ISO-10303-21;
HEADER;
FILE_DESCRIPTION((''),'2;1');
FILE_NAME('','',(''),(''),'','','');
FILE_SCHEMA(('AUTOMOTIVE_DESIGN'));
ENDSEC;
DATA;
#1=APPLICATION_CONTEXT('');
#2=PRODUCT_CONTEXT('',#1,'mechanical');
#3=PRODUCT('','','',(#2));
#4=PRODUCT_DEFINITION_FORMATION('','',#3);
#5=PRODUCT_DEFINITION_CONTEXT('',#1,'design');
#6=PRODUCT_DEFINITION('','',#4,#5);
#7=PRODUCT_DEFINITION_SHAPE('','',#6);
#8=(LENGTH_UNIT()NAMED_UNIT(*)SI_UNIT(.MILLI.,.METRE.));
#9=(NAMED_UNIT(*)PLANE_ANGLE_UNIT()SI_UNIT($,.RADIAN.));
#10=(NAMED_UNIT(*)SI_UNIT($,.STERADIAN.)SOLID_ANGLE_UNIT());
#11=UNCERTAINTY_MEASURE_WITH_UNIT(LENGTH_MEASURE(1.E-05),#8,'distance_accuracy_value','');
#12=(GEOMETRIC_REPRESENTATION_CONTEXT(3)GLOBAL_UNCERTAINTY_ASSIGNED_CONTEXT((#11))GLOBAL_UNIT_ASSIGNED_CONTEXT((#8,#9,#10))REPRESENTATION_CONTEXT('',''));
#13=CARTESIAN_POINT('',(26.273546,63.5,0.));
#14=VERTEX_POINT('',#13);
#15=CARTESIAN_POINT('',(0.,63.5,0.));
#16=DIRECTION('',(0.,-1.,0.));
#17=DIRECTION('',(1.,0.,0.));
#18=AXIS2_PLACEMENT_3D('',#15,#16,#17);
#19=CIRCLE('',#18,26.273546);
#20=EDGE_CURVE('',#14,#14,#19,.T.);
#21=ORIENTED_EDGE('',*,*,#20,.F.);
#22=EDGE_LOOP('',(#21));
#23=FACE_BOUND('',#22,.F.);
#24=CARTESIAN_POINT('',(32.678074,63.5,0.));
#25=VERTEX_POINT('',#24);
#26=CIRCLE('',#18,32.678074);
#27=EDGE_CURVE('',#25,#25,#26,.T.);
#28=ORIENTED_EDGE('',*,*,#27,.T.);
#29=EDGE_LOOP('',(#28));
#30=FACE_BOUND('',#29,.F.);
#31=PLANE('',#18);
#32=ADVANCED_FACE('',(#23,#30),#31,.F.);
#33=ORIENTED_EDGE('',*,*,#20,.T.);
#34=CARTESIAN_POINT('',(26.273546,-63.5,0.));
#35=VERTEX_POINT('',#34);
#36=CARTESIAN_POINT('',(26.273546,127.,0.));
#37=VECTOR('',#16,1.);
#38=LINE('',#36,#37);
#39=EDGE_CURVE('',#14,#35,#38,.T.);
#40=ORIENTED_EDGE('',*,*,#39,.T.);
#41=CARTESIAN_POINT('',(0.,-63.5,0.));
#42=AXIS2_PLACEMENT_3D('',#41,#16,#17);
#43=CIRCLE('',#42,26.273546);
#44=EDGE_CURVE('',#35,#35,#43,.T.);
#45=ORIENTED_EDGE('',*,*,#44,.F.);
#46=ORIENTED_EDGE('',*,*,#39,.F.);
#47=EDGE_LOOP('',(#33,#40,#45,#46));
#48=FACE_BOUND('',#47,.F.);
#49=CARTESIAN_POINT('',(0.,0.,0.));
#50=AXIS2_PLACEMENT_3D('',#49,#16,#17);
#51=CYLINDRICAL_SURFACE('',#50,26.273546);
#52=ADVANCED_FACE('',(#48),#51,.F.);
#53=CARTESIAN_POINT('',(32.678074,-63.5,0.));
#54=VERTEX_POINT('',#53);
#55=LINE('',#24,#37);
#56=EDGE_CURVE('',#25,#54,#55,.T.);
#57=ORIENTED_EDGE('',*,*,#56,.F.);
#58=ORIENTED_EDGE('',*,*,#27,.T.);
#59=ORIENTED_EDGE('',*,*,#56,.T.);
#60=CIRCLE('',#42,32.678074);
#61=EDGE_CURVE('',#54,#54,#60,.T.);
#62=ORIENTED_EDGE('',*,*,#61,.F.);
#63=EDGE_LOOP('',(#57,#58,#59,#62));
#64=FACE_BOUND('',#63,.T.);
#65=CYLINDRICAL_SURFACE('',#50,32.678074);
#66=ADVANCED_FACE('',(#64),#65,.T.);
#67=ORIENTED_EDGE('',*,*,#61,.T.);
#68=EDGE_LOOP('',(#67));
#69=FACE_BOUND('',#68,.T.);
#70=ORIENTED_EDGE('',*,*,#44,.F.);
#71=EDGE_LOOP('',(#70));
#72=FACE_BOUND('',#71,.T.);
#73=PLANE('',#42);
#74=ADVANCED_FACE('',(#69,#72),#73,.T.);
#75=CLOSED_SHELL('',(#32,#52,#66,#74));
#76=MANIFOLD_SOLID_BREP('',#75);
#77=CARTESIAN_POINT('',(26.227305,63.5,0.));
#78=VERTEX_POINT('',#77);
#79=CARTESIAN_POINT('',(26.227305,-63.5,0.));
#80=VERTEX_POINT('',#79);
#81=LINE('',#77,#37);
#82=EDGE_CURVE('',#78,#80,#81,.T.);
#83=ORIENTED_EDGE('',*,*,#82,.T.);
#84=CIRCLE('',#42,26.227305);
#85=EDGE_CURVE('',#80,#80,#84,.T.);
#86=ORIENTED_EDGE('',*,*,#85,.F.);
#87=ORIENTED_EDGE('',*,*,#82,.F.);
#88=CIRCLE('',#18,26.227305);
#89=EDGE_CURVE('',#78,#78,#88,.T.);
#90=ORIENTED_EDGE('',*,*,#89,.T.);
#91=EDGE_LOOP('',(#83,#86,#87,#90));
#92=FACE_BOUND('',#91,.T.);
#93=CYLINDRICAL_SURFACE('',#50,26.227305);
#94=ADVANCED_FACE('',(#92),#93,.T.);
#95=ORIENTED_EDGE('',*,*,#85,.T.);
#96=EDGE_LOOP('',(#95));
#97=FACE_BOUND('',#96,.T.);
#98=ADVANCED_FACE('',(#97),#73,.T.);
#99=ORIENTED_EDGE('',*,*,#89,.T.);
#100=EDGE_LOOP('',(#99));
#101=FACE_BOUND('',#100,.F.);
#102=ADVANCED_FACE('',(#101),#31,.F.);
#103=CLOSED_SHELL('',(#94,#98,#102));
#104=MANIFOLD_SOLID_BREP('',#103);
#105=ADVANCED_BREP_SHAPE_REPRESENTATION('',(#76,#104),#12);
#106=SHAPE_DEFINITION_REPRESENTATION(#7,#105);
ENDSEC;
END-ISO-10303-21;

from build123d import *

# Parameters (mm, degrees)
F0_R     = 32.678074
F1_DEPTH = 63.5
F2_R     = 26.273546
F3_DEPTH = 127
F4_R     = 26.227305
F5_DEPTH = 63.5


with BuildPart() as f1:
    # F0 (on Front) → F1 (new body, symmetric)
    with BuildSketch(Plane.XZ):
        Circle(F0_R)
    extrude(amount=F1_DEPTH, both=True)

    # F2 (on Front) → F3 (cut, symmetric)
    with BuildSketch(Plane.XZ):
        Circle(F2_R)
    extrude(amount=F3_DEPTH, both=True, mode=Mode.SUBTRACT)


with BuildPart() as f5:
    # F4 (on Front) → F5 (new body, symmetric)
    with BuildSketch(Plane.XZ):
        Circle(F4_R)
    extrude(amount=F5_DEPTH, both=True)


solid = Compound([f1.part, f5.part])
